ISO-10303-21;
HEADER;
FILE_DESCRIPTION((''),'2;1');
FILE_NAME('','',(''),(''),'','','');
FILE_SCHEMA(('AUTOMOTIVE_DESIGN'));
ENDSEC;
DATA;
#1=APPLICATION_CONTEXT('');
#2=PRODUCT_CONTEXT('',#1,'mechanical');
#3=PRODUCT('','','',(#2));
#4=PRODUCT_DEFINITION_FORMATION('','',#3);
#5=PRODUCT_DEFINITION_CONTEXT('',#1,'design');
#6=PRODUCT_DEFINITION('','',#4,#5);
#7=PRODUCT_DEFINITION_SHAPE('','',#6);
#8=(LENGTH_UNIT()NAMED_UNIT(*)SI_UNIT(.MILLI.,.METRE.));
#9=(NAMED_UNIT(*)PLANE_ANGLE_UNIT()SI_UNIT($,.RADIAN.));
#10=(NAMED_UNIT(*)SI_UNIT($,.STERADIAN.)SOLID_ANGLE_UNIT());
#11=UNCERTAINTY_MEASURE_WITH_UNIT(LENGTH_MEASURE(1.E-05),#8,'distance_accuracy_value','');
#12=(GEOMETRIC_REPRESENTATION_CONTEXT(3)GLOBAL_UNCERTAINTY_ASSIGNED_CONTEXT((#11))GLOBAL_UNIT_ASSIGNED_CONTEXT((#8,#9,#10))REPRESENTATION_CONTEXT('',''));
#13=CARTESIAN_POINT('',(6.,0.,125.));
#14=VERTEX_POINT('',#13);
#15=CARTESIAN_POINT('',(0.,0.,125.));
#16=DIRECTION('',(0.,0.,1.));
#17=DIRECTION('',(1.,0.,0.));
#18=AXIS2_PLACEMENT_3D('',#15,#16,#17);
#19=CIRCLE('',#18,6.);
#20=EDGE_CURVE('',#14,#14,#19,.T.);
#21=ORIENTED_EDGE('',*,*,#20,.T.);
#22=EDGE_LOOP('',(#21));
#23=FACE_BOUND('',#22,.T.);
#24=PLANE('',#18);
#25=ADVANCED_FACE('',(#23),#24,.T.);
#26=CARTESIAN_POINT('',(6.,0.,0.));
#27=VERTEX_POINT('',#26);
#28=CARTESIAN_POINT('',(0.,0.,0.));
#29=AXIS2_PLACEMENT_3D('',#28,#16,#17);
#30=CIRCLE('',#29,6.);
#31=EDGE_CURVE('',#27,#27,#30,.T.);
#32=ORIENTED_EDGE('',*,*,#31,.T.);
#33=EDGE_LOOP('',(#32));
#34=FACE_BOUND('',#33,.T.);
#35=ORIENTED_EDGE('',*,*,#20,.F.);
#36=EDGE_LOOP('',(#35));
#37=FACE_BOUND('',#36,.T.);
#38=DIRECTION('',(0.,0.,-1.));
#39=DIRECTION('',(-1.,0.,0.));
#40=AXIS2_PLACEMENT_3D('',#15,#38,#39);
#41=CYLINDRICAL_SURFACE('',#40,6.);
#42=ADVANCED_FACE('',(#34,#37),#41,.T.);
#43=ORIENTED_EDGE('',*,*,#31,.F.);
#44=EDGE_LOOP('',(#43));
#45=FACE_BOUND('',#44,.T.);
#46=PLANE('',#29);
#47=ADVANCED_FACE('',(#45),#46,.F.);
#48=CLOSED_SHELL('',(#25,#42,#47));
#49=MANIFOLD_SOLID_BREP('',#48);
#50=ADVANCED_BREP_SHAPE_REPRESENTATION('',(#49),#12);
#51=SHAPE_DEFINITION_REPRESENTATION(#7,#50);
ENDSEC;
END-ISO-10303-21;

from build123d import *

# Parameters (mm, degrees)
SKETCH2_R           = 6
BOSS_EXTRUDE1_DEPTH = 125


with BuildPart() as part:
    # Sketch2 → Boss-Extrude1 (new body)
    with BuildSketch(Plane.XY):
        Circle(SKETCH2_R)
    extrude(amount=BOSS_EXTRUDE1_DEPTH)


solid = part.part
